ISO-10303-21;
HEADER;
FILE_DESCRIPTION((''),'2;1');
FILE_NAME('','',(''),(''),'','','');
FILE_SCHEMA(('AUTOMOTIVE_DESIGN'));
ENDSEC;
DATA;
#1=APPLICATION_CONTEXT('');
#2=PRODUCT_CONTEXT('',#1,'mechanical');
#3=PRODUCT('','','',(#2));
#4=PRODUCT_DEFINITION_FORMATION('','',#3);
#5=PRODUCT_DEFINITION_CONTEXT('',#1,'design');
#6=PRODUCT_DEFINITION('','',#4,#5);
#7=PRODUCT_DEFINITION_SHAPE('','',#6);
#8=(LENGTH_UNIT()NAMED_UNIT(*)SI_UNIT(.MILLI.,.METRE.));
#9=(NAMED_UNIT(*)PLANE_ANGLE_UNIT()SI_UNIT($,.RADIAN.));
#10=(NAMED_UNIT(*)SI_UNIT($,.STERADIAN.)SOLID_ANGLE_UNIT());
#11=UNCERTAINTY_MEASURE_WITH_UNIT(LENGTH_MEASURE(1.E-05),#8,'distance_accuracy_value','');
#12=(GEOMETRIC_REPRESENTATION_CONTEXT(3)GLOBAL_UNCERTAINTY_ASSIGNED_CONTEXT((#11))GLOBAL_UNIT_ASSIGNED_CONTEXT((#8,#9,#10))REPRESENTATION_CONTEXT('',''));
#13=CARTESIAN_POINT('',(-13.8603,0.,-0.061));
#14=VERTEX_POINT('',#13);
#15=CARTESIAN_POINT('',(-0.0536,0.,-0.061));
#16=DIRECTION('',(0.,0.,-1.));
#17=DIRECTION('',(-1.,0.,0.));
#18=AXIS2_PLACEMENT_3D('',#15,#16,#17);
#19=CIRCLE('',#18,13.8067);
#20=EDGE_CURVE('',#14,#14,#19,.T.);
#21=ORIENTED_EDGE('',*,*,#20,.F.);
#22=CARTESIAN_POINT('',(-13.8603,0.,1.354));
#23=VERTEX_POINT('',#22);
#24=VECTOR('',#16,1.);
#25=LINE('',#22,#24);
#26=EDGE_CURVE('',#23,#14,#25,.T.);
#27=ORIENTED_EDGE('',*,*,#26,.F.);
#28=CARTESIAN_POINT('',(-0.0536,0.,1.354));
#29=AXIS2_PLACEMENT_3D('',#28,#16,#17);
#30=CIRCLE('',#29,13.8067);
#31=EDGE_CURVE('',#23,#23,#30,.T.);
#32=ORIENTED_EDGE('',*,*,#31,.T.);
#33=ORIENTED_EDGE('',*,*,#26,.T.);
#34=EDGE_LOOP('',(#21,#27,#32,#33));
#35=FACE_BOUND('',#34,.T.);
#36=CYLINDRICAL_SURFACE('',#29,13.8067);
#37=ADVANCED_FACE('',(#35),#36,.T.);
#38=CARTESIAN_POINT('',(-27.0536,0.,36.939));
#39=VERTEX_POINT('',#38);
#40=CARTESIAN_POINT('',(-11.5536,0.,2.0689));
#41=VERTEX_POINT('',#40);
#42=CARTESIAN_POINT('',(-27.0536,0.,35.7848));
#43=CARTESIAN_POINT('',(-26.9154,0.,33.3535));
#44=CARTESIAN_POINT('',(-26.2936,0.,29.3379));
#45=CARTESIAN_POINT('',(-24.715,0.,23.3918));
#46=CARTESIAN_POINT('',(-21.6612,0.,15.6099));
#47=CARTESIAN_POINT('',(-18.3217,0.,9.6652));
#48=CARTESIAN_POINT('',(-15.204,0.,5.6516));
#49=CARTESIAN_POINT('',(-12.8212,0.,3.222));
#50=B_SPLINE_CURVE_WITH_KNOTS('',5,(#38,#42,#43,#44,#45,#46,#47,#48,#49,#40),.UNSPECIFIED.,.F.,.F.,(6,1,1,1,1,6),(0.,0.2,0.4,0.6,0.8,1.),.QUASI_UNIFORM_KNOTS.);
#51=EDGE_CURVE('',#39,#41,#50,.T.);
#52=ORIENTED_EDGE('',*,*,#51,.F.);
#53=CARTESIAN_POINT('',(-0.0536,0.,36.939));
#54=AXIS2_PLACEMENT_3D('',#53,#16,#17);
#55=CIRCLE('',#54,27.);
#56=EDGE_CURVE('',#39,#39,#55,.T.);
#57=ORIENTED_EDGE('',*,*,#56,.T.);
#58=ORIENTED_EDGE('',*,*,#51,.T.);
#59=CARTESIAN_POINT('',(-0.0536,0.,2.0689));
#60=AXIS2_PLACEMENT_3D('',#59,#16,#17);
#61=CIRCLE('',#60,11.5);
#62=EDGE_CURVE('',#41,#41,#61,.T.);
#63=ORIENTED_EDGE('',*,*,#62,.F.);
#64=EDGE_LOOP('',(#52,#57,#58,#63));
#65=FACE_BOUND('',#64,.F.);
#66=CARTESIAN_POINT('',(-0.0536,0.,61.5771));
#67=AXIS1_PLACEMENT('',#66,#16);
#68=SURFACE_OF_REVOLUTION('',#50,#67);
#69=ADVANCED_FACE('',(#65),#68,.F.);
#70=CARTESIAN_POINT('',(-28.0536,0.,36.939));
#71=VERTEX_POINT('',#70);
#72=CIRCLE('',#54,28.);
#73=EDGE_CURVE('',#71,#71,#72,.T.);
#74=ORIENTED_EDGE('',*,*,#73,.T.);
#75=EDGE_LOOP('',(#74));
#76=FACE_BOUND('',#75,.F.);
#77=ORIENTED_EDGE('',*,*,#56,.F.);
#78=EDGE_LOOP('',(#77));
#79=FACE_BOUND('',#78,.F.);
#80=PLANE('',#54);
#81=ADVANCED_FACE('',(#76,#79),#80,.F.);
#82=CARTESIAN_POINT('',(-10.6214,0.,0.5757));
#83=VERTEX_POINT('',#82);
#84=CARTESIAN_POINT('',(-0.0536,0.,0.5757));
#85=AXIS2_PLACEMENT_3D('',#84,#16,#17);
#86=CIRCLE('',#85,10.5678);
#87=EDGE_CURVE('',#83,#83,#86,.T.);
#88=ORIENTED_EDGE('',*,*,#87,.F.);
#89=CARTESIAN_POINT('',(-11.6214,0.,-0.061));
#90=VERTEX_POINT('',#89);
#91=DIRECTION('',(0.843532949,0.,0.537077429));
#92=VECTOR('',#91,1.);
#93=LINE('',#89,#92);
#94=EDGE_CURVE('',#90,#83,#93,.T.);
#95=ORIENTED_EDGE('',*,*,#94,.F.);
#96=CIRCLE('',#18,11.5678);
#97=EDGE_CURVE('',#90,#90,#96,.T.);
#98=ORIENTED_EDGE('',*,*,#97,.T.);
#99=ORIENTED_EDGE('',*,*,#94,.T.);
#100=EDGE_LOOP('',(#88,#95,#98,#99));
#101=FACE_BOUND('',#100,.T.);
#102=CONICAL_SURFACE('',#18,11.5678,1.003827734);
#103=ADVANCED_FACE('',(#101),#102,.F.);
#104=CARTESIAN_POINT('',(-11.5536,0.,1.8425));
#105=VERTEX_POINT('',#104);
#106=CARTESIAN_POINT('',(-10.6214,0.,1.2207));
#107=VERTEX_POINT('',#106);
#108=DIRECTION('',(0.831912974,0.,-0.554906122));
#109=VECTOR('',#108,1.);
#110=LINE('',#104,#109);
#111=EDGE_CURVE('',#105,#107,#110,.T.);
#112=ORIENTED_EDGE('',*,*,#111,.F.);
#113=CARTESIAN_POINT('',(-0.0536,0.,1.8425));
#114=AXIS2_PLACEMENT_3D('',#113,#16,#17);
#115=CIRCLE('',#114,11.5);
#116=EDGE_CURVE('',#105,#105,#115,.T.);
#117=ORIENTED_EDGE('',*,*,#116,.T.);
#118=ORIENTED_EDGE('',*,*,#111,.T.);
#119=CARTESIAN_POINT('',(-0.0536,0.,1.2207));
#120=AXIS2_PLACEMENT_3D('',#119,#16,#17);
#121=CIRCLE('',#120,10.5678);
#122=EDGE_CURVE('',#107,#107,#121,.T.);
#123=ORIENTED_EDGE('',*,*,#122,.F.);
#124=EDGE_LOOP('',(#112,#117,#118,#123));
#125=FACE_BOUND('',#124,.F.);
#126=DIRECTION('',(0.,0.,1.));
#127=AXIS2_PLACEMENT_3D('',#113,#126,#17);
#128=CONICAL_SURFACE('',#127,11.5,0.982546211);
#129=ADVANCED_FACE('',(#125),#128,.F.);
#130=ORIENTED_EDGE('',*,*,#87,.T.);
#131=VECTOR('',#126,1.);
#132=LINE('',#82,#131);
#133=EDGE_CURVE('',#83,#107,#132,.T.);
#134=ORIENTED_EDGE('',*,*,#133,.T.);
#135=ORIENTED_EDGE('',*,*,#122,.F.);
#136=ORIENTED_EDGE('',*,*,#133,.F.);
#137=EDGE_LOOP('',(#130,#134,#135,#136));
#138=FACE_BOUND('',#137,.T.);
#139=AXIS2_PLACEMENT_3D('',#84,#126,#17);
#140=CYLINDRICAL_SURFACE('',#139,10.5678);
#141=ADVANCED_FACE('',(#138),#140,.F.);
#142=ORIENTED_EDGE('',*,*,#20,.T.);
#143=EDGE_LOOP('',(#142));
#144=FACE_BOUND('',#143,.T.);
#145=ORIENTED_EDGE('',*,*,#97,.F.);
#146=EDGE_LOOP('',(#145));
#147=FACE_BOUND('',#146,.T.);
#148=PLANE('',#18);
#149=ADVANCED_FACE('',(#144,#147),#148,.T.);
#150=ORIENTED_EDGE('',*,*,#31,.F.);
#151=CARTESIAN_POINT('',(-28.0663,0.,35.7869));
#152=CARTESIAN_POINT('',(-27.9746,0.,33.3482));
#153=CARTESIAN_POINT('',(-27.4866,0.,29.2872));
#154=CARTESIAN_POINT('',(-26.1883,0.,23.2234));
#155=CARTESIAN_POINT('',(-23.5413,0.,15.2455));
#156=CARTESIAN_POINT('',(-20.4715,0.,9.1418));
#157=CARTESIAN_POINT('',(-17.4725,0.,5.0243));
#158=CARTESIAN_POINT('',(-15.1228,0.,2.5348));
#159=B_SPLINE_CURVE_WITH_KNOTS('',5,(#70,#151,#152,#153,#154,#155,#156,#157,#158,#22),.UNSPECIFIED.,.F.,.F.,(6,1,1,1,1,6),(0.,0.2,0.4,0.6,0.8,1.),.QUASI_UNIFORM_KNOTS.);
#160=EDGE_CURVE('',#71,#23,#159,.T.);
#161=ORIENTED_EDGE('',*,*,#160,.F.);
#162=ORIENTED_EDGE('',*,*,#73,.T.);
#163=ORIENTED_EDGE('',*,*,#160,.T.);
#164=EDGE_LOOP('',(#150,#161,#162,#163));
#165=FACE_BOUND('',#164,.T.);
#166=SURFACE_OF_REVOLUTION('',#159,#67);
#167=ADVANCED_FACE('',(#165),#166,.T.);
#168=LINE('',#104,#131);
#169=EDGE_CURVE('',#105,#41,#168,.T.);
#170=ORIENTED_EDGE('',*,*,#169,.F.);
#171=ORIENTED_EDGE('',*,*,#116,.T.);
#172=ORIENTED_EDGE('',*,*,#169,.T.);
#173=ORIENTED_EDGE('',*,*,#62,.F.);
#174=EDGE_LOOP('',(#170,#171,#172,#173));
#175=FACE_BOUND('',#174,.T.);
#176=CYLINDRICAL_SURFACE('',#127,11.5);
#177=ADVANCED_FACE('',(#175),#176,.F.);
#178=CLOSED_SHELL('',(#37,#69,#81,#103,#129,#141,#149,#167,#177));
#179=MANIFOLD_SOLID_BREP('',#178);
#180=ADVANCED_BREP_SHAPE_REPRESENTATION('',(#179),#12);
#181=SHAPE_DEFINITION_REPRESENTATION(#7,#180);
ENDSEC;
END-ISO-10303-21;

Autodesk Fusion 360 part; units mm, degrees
sketch "Sketch1" plane through (0, 0, 0) normal (0, 1, 0) x (1, 0, 0)
  line L0 (-0.0536, -61.5771) -> (-0.0536, 35.4229) construction
  spline S0 degree 5 poles (-28.0536, -36.939) (-28.0663, -35.7869) (-27.9746, -33.3482) (-27.4866, -29.2872) (-26.1883, -23.2234) (-23.5413, -15.2455) (-20.4715, -9.1418) (-17.4725, -5.0243) (-15.1228, -2.5348) (-13.8603, -1.354) knots 0 0 0 0 0 0 0.2 0.4 0.6 0.8 1 1 1 1 1 1
  line L1 (-27.9987, -41.939) -> (-28.1085, -31.939)
  line L2 (-19.2881, -6.4304) -> (-8.4326, 3.7224)
  line L3 (-13.8603, -1.354) -> (-13.8603, 0.061)
  line L4 (-13.8603, 0.061) -> (-11.6214, 0.061)
  line L5 (-11.6214, 0.061) -> (-10.6214, -0.5757)
  line L6 (-10.6214, -0.5757) -> (-10.6214, -1.2207)
  line L7 (-11.5536, -1.8425) -> (-11.5536, -2.0689)
  spline S1 degree 5 poles (-27.0536, -36.939) (-27.0536, -35.7848) (-26.9154, -33.3535) (-26.2936, -29.3379) (-24.715, -23.3918) (-21.6612, -15.6099) (-18.3217, -9.6652) (-15.204, -5.6516) (-12.8212, -3.222) (-11.5536, -2.0689) knots 0 0 0 0 0 0 0.2 0.4 0.6 0.8 1 1 1 1 1 1
  line L8 (-27.0537, -41.9415) -> (-27.0536, -31.9365)
  line L9 (-17.0518, -7.0709) -> (-6.0555, 2.9332)
  line L10 (-28.0536, -36.939) -> (-27.0536, -36.939)
  line L11 (-11.5536, -1.8425) -> (-10.6214, -1.2207)
  dimension "d7" = 37
  dimension "d8" = 11.5
  dimension "d9" = 27
  dimension "d10" = 1
  dimension "d11" = 1
  dimension "d12" = 3.2389
  dimension "d13" = 2.3067
revolve "Revolve1" add sketch "Sketch1" angle 360 about axis through (-0.0536, 0, 61.5771) along (0, 0, -1) contours S0 L2 L4 L5 L6 L7 S1 L10 L11 | L2 L3 L4
